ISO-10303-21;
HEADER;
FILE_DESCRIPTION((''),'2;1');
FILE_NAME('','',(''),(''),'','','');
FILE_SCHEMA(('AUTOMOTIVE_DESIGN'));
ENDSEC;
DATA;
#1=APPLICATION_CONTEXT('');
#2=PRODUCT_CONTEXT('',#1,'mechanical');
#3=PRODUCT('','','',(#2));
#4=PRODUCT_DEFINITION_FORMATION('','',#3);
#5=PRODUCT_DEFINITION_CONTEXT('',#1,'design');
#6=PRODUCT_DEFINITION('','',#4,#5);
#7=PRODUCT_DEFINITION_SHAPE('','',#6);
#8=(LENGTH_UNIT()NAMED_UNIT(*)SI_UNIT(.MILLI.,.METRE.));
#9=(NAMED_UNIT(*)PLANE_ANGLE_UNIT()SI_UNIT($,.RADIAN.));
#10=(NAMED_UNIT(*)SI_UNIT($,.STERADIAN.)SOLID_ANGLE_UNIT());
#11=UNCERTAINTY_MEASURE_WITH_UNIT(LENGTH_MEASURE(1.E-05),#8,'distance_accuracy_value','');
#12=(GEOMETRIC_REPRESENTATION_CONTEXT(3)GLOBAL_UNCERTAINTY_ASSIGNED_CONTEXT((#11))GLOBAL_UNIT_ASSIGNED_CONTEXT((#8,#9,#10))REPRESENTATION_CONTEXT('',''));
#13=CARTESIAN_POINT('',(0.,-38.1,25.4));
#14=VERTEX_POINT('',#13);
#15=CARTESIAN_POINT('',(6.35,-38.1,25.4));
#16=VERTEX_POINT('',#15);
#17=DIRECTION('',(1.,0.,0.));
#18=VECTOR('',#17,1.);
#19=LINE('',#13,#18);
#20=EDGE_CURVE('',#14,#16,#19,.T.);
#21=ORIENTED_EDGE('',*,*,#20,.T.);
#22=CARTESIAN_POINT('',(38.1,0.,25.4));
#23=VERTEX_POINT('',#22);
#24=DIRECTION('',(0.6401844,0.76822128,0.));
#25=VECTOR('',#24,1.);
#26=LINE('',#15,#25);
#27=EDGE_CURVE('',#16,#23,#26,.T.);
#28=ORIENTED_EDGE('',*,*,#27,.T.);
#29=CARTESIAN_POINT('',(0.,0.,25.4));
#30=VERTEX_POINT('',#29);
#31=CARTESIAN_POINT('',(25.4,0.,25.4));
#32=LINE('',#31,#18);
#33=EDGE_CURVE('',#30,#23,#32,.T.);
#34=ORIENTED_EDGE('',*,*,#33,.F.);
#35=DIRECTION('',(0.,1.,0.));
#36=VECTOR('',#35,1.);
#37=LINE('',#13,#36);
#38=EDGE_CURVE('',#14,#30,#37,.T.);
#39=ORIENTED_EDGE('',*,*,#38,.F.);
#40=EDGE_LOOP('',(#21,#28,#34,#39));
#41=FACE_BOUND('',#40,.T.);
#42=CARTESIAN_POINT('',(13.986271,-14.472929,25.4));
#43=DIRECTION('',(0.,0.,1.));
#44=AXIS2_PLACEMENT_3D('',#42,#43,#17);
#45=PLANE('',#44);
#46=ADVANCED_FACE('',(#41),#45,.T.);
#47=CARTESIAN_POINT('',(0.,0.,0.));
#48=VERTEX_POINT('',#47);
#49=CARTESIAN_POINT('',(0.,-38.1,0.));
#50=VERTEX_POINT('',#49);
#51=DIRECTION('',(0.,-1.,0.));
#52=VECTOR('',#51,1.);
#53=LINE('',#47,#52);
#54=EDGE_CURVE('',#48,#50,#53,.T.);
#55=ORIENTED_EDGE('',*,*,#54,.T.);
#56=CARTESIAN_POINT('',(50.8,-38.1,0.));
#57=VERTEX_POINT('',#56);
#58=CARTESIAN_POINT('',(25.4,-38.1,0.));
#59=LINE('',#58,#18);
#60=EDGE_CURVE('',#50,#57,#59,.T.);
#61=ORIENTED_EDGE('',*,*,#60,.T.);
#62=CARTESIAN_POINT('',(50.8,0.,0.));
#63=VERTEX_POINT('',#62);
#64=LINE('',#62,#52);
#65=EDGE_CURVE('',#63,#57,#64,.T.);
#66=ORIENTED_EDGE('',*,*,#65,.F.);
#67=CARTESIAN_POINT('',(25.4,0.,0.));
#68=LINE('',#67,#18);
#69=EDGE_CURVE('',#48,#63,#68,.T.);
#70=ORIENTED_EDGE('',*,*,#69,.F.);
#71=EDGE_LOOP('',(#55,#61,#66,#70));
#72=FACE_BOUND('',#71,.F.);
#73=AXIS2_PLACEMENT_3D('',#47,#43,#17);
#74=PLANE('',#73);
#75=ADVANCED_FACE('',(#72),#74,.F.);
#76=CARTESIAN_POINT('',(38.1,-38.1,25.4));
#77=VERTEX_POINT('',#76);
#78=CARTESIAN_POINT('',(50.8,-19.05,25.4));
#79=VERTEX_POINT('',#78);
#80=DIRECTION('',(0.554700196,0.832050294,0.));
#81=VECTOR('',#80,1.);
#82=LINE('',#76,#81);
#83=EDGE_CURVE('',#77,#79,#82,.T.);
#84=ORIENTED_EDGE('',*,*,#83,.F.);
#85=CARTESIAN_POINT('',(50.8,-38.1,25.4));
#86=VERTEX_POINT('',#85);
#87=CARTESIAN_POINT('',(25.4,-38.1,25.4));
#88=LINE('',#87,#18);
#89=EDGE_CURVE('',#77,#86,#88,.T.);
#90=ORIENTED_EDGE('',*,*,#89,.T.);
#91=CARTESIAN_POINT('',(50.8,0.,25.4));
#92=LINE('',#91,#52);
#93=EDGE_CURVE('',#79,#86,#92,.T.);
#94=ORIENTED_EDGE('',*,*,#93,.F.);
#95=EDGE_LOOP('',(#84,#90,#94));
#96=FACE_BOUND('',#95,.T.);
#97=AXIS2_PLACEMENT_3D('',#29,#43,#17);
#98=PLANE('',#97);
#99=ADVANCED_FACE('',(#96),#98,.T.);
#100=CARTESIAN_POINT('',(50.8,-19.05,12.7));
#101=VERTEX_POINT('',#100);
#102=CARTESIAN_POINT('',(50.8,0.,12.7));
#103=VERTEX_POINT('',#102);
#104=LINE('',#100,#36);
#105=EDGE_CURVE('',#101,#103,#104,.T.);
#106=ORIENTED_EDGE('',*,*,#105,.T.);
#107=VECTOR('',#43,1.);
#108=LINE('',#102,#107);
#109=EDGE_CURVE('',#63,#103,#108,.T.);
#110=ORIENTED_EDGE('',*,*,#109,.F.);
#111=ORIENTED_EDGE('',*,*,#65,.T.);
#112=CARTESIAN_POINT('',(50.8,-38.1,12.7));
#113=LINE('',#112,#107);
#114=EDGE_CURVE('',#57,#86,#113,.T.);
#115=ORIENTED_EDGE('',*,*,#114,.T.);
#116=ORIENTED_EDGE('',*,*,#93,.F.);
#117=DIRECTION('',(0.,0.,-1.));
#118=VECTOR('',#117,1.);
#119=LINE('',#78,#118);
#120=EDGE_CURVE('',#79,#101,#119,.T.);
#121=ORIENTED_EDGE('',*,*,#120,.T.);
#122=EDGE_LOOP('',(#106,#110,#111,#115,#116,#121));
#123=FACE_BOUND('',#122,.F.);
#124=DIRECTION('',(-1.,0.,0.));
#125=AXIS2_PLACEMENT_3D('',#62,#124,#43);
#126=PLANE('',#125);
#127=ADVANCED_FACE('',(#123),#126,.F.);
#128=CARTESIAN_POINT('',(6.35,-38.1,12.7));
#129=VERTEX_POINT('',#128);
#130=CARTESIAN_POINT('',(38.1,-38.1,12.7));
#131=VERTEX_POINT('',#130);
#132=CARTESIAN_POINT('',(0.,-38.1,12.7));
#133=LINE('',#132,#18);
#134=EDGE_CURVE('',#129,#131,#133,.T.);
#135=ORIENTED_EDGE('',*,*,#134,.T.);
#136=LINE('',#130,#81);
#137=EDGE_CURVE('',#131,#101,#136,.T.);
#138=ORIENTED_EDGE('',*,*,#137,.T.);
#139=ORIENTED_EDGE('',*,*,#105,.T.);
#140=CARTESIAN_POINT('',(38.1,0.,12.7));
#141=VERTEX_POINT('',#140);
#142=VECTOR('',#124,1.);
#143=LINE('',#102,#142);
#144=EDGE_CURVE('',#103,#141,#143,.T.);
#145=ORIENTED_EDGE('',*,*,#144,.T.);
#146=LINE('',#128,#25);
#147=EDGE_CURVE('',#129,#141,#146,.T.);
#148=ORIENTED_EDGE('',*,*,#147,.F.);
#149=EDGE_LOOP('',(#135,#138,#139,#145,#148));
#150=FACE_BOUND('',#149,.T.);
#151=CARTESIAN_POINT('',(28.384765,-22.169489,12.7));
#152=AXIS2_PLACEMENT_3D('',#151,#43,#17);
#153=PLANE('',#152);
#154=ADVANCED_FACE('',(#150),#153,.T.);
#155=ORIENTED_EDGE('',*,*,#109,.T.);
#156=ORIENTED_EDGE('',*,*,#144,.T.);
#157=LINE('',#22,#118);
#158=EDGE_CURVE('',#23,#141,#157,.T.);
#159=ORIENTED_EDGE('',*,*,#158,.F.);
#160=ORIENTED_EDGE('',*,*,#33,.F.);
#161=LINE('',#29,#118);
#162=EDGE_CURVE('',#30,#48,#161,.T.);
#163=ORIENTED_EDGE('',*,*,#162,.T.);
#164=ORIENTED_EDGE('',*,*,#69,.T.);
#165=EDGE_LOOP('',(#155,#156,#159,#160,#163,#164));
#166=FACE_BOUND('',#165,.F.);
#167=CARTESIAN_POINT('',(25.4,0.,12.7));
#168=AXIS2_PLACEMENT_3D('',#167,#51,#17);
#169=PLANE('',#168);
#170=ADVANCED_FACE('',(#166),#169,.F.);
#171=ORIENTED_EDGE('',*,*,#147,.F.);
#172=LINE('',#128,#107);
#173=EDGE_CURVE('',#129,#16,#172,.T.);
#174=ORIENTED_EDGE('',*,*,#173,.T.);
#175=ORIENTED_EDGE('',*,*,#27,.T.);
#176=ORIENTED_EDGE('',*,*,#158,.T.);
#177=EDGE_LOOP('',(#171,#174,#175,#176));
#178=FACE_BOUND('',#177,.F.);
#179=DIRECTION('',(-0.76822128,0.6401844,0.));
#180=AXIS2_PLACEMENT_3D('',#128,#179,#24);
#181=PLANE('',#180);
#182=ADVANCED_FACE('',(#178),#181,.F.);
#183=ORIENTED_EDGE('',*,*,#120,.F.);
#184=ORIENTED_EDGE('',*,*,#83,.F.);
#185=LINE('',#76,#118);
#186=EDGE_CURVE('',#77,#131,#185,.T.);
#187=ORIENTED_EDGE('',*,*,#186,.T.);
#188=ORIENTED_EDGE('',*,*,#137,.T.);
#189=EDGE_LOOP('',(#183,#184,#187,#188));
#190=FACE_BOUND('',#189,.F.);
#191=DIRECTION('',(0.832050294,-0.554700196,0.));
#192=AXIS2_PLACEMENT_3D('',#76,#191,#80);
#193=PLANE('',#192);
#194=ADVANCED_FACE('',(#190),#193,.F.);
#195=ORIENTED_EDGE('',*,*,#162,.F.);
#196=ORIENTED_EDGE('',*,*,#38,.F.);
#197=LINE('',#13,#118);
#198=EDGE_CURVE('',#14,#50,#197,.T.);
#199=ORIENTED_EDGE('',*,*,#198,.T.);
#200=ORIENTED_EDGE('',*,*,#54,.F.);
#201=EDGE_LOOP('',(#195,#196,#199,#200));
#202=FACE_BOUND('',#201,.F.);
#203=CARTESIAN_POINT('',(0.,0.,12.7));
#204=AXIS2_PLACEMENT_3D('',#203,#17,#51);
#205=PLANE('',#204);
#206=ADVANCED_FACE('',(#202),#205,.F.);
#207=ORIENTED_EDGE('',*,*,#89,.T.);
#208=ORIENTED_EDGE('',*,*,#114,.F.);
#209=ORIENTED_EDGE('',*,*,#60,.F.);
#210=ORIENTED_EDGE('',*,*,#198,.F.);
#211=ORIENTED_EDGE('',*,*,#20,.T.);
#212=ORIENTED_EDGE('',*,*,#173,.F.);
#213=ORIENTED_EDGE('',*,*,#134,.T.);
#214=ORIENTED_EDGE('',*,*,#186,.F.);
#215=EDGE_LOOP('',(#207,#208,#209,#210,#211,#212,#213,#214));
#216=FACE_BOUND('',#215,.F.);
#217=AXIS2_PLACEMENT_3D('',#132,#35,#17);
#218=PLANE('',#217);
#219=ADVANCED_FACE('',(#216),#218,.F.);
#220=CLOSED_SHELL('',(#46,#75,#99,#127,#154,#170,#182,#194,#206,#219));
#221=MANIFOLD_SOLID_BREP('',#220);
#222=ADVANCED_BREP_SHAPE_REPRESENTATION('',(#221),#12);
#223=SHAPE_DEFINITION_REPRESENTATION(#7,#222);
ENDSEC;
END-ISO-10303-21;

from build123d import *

# Parameters (mm, degrees)
F0_W     = 50.8
F0_H     = 25.4
F1_DEPTH = 38.1
F3_DEPTH = 12.7
F5_DEPTH = 12.7


with BuildPart() as f1:
    # F0 (on Front) → F1 (new body)
    with BuildSketch(Plane.XZ):
        with Locations((25.4, 12.7)):
            Rectangle(F0_W, F0_H)
    extrude(amount=F1_DEPTH)

    # F2 (on face) → F3 (cut)
    with BuildSketch(Plane.XY.offset(25.4)):
        Polygon((0, -38.1), (38.1, -38.1), (50.8, -19.05), (50.8, 0), (38.1, 0), (0, -31.75), align=None)
    extrude(amount=-F3_DEPTH, mode=Mode.SUBTRACT)

    # F4 (on face) → F5 (join)
    with BuildSketch(Plane.XY.offset(12.7)):
        Polygon((0, -38.1), (6.35, -38.1), (38.1, 0), (0, 0), align=None)
    extrude(amount=F5_DEPTH)


solid = f1.part
